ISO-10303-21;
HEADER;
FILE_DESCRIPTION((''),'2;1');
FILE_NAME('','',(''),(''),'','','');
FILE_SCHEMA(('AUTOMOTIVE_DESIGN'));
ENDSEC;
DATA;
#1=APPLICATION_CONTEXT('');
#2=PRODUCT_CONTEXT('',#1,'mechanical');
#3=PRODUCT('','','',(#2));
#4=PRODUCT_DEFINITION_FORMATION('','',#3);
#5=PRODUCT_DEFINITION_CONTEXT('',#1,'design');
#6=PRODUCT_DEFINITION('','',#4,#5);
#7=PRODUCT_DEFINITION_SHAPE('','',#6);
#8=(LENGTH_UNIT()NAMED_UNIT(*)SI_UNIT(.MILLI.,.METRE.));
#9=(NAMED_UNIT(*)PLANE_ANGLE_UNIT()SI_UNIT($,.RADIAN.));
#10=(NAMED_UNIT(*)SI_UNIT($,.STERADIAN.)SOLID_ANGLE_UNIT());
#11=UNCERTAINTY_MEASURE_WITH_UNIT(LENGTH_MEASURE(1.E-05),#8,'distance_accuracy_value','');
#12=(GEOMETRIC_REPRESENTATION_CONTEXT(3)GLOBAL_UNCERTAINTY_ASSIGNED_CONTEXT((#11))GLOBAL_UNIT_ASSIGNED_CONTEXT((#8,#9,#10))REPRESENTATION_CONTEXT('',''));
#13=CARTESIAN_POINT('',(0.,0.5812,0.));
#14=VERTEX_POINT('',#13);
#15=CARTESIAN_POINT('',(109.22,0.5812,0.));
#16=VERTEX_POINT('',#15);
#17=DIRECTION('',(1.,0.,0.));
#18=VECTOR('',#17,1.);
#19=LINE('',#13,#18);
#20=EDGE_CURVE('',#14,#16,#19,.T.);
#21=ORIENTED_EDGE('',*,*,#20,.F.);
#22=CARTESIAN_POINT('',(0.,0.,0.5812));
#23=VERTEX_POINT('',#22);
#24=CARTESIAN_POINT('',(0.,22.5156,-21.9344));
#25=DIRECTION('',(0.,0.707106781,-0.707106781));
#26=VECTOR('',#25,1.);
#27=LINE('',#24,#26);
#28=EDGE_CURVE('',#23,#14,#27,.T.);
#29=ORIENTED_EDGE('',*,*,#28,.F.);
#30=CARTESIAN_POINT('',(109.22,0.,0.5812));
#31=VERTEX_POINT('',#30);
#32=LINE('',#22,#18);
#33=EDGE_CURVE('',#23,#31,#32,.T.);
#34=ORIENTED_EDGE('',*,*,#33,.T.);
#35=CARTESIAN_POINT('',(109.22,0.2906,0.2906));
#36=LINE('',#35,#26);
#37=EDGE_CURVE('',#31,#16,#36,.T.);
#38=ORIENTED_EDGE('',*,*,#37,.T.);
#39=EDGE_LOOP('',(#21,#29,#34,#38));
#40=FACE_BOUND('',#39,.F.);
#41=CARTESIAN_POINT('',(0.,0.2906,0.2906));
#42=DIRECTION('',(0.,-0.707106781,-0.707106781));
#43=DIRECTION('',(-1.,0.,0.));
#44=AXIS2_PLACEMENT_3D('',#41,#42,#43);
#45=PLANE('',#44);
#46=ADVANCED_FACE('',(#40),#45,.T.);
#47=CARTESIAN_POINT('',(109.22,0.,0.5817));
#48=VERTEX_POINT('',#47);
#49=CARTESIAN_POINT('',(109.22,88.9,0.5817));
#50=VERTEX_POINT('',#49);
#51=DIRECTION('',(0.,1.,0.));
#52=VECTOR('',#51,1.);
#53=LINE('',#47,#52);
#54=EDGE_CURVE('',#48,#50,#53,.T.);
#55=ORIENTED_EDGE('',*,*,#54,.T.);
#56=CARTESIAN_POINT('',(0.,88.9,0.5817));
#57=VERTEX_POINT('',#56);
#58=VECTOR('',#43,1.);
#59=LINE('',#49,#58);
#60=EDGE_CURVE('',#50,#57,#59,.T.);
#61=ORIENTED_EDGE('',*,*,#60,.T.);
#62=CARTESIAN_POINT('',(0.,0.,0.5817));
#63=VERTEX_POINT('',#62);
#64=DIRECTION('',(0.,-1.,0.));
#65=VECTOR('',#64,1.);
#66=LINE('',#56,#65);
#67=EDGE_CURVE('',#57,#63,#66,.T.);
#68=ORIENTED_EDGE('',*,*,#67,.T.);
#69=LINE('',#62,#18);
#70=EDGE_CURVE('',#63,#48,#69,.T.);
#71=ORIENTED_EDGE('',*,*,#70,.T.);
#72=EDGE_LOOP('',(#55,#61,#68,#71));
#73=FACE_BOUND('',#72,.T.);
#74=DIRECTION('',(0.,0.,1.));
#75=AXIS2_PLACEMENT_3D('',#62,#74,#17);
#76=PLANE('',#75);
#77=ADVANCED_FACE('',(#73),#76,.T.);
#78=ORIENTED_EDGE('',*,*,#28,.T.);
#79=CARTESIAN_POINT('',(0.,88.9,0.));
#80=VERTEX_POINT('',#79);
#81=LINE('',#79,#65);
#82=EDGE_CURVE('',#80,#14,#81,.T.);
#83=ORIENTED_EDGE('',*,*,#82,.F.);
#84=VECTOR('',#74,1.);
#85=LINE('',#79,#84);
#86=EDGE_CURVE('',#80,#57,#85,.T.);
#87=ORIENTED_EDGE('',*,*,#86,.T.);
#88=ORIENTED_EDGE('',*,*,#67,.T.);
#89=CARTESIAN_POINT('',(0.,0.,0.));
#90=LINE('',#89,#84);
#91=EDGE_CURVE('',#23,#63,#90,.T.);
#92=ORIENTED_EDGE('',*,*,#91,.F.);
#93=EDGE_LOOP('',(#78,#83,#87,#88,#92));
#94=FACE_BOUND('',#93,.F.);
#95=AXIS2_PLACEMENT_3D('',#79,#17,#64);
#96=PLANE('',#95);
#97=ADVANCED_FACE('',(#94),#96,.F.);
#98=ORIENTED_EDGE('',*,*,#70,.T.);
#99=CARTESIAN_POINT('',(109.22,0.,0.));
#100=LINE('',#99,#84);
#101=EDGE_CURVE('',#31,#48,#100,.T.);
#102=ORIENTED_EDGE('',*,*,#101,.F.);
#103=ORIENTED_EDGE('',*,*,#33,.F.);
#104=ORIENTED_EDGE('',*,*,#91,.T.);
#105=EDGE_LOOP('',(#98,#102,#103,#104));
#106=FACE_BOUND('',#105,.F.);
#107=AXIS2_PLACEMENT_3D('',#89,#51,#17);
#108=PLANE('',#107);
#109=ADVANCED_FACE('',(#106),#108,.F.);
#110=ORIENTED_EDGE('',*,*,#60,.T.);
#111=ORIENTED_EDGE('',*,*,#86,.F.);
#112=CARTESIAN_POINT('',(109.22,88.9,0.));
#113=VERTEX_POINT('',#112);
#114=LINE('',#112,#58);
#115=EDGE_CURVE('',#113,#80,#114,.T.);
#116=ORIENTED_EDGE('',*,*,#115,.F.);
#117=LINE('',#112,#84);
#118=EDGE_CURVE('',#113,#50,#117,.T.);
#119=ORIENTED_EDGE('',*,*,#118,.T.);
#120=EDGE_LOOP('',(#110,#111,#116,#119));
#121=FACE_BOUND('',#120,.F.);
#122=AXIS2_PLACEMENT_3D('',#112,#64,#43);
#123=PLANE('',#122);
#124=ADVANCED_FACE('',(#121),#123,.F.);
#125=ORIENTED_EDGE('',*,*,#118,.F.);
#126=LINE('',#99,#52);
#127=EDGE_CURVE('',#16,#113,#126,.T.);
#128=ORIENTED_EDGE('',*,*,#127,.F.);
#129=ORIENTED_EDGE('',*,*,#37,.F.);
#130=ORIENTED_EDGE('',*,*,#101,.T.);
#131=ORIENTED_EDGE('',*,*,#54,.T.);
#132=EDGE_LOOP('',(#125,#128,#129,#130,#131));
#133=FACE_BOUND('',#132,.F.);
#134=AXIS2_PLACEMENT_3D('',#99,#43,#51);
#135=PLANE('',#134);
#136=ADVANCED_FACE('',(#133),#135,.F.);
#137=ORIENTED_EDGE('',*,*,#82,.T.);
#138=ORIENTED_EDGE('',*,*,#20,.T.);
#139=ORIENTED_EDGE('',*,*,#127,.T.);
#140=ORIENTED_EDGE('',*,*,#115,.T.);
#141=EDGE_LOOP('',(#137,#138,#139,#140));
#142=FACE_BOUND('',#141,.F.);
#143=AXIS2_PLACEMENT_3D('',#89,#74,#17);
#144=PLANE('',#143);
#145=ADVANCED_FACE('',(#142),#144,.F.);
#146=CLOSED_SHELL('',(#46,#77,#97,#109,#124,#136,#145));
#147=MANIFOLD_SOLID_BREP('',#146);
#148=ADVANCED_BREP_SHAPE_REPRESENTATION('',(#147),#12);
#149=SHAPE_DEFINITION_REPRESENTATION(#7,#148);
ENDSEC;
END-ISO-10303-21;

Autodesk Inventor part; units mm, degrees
ref_plane "YZ Plane" through (0, 0, 0) normal (1, 0, 0) x (0, 1, 0)
ref_plane "XZ Plane" through (0, 0, 0) normal (0, 1, 0) x (-1, 0, 0)
ref_plane "XY Plane" through (0, 0, 0) normal (0, 0, 1) x (1, 0, 0)
sketch "Sketch1" plane through (0, 0, 0) normal (0, 0, 1) x (1, 0, 0)
  line L0 (0, 0) -> (109.22, 0)
  line L1 (109.22, 0) -> (109.22, 88.9)
  line L2 (109.22, 88.9) -> (0, 88.9)
  line L3 (0, 88.9) -> (0, 0)
  dimension "d0" = 109.22
  dimension "d1" = 88.9
extrude "Extrusion1" add sketch "Sketch1" along normal blind 0.5817
chamfer "Chamfer2" distance 0.5817 angle 45 1 edges at (54.61, 0, 0)
properties part number "Plate_Top_Alu25" material "Steel"
